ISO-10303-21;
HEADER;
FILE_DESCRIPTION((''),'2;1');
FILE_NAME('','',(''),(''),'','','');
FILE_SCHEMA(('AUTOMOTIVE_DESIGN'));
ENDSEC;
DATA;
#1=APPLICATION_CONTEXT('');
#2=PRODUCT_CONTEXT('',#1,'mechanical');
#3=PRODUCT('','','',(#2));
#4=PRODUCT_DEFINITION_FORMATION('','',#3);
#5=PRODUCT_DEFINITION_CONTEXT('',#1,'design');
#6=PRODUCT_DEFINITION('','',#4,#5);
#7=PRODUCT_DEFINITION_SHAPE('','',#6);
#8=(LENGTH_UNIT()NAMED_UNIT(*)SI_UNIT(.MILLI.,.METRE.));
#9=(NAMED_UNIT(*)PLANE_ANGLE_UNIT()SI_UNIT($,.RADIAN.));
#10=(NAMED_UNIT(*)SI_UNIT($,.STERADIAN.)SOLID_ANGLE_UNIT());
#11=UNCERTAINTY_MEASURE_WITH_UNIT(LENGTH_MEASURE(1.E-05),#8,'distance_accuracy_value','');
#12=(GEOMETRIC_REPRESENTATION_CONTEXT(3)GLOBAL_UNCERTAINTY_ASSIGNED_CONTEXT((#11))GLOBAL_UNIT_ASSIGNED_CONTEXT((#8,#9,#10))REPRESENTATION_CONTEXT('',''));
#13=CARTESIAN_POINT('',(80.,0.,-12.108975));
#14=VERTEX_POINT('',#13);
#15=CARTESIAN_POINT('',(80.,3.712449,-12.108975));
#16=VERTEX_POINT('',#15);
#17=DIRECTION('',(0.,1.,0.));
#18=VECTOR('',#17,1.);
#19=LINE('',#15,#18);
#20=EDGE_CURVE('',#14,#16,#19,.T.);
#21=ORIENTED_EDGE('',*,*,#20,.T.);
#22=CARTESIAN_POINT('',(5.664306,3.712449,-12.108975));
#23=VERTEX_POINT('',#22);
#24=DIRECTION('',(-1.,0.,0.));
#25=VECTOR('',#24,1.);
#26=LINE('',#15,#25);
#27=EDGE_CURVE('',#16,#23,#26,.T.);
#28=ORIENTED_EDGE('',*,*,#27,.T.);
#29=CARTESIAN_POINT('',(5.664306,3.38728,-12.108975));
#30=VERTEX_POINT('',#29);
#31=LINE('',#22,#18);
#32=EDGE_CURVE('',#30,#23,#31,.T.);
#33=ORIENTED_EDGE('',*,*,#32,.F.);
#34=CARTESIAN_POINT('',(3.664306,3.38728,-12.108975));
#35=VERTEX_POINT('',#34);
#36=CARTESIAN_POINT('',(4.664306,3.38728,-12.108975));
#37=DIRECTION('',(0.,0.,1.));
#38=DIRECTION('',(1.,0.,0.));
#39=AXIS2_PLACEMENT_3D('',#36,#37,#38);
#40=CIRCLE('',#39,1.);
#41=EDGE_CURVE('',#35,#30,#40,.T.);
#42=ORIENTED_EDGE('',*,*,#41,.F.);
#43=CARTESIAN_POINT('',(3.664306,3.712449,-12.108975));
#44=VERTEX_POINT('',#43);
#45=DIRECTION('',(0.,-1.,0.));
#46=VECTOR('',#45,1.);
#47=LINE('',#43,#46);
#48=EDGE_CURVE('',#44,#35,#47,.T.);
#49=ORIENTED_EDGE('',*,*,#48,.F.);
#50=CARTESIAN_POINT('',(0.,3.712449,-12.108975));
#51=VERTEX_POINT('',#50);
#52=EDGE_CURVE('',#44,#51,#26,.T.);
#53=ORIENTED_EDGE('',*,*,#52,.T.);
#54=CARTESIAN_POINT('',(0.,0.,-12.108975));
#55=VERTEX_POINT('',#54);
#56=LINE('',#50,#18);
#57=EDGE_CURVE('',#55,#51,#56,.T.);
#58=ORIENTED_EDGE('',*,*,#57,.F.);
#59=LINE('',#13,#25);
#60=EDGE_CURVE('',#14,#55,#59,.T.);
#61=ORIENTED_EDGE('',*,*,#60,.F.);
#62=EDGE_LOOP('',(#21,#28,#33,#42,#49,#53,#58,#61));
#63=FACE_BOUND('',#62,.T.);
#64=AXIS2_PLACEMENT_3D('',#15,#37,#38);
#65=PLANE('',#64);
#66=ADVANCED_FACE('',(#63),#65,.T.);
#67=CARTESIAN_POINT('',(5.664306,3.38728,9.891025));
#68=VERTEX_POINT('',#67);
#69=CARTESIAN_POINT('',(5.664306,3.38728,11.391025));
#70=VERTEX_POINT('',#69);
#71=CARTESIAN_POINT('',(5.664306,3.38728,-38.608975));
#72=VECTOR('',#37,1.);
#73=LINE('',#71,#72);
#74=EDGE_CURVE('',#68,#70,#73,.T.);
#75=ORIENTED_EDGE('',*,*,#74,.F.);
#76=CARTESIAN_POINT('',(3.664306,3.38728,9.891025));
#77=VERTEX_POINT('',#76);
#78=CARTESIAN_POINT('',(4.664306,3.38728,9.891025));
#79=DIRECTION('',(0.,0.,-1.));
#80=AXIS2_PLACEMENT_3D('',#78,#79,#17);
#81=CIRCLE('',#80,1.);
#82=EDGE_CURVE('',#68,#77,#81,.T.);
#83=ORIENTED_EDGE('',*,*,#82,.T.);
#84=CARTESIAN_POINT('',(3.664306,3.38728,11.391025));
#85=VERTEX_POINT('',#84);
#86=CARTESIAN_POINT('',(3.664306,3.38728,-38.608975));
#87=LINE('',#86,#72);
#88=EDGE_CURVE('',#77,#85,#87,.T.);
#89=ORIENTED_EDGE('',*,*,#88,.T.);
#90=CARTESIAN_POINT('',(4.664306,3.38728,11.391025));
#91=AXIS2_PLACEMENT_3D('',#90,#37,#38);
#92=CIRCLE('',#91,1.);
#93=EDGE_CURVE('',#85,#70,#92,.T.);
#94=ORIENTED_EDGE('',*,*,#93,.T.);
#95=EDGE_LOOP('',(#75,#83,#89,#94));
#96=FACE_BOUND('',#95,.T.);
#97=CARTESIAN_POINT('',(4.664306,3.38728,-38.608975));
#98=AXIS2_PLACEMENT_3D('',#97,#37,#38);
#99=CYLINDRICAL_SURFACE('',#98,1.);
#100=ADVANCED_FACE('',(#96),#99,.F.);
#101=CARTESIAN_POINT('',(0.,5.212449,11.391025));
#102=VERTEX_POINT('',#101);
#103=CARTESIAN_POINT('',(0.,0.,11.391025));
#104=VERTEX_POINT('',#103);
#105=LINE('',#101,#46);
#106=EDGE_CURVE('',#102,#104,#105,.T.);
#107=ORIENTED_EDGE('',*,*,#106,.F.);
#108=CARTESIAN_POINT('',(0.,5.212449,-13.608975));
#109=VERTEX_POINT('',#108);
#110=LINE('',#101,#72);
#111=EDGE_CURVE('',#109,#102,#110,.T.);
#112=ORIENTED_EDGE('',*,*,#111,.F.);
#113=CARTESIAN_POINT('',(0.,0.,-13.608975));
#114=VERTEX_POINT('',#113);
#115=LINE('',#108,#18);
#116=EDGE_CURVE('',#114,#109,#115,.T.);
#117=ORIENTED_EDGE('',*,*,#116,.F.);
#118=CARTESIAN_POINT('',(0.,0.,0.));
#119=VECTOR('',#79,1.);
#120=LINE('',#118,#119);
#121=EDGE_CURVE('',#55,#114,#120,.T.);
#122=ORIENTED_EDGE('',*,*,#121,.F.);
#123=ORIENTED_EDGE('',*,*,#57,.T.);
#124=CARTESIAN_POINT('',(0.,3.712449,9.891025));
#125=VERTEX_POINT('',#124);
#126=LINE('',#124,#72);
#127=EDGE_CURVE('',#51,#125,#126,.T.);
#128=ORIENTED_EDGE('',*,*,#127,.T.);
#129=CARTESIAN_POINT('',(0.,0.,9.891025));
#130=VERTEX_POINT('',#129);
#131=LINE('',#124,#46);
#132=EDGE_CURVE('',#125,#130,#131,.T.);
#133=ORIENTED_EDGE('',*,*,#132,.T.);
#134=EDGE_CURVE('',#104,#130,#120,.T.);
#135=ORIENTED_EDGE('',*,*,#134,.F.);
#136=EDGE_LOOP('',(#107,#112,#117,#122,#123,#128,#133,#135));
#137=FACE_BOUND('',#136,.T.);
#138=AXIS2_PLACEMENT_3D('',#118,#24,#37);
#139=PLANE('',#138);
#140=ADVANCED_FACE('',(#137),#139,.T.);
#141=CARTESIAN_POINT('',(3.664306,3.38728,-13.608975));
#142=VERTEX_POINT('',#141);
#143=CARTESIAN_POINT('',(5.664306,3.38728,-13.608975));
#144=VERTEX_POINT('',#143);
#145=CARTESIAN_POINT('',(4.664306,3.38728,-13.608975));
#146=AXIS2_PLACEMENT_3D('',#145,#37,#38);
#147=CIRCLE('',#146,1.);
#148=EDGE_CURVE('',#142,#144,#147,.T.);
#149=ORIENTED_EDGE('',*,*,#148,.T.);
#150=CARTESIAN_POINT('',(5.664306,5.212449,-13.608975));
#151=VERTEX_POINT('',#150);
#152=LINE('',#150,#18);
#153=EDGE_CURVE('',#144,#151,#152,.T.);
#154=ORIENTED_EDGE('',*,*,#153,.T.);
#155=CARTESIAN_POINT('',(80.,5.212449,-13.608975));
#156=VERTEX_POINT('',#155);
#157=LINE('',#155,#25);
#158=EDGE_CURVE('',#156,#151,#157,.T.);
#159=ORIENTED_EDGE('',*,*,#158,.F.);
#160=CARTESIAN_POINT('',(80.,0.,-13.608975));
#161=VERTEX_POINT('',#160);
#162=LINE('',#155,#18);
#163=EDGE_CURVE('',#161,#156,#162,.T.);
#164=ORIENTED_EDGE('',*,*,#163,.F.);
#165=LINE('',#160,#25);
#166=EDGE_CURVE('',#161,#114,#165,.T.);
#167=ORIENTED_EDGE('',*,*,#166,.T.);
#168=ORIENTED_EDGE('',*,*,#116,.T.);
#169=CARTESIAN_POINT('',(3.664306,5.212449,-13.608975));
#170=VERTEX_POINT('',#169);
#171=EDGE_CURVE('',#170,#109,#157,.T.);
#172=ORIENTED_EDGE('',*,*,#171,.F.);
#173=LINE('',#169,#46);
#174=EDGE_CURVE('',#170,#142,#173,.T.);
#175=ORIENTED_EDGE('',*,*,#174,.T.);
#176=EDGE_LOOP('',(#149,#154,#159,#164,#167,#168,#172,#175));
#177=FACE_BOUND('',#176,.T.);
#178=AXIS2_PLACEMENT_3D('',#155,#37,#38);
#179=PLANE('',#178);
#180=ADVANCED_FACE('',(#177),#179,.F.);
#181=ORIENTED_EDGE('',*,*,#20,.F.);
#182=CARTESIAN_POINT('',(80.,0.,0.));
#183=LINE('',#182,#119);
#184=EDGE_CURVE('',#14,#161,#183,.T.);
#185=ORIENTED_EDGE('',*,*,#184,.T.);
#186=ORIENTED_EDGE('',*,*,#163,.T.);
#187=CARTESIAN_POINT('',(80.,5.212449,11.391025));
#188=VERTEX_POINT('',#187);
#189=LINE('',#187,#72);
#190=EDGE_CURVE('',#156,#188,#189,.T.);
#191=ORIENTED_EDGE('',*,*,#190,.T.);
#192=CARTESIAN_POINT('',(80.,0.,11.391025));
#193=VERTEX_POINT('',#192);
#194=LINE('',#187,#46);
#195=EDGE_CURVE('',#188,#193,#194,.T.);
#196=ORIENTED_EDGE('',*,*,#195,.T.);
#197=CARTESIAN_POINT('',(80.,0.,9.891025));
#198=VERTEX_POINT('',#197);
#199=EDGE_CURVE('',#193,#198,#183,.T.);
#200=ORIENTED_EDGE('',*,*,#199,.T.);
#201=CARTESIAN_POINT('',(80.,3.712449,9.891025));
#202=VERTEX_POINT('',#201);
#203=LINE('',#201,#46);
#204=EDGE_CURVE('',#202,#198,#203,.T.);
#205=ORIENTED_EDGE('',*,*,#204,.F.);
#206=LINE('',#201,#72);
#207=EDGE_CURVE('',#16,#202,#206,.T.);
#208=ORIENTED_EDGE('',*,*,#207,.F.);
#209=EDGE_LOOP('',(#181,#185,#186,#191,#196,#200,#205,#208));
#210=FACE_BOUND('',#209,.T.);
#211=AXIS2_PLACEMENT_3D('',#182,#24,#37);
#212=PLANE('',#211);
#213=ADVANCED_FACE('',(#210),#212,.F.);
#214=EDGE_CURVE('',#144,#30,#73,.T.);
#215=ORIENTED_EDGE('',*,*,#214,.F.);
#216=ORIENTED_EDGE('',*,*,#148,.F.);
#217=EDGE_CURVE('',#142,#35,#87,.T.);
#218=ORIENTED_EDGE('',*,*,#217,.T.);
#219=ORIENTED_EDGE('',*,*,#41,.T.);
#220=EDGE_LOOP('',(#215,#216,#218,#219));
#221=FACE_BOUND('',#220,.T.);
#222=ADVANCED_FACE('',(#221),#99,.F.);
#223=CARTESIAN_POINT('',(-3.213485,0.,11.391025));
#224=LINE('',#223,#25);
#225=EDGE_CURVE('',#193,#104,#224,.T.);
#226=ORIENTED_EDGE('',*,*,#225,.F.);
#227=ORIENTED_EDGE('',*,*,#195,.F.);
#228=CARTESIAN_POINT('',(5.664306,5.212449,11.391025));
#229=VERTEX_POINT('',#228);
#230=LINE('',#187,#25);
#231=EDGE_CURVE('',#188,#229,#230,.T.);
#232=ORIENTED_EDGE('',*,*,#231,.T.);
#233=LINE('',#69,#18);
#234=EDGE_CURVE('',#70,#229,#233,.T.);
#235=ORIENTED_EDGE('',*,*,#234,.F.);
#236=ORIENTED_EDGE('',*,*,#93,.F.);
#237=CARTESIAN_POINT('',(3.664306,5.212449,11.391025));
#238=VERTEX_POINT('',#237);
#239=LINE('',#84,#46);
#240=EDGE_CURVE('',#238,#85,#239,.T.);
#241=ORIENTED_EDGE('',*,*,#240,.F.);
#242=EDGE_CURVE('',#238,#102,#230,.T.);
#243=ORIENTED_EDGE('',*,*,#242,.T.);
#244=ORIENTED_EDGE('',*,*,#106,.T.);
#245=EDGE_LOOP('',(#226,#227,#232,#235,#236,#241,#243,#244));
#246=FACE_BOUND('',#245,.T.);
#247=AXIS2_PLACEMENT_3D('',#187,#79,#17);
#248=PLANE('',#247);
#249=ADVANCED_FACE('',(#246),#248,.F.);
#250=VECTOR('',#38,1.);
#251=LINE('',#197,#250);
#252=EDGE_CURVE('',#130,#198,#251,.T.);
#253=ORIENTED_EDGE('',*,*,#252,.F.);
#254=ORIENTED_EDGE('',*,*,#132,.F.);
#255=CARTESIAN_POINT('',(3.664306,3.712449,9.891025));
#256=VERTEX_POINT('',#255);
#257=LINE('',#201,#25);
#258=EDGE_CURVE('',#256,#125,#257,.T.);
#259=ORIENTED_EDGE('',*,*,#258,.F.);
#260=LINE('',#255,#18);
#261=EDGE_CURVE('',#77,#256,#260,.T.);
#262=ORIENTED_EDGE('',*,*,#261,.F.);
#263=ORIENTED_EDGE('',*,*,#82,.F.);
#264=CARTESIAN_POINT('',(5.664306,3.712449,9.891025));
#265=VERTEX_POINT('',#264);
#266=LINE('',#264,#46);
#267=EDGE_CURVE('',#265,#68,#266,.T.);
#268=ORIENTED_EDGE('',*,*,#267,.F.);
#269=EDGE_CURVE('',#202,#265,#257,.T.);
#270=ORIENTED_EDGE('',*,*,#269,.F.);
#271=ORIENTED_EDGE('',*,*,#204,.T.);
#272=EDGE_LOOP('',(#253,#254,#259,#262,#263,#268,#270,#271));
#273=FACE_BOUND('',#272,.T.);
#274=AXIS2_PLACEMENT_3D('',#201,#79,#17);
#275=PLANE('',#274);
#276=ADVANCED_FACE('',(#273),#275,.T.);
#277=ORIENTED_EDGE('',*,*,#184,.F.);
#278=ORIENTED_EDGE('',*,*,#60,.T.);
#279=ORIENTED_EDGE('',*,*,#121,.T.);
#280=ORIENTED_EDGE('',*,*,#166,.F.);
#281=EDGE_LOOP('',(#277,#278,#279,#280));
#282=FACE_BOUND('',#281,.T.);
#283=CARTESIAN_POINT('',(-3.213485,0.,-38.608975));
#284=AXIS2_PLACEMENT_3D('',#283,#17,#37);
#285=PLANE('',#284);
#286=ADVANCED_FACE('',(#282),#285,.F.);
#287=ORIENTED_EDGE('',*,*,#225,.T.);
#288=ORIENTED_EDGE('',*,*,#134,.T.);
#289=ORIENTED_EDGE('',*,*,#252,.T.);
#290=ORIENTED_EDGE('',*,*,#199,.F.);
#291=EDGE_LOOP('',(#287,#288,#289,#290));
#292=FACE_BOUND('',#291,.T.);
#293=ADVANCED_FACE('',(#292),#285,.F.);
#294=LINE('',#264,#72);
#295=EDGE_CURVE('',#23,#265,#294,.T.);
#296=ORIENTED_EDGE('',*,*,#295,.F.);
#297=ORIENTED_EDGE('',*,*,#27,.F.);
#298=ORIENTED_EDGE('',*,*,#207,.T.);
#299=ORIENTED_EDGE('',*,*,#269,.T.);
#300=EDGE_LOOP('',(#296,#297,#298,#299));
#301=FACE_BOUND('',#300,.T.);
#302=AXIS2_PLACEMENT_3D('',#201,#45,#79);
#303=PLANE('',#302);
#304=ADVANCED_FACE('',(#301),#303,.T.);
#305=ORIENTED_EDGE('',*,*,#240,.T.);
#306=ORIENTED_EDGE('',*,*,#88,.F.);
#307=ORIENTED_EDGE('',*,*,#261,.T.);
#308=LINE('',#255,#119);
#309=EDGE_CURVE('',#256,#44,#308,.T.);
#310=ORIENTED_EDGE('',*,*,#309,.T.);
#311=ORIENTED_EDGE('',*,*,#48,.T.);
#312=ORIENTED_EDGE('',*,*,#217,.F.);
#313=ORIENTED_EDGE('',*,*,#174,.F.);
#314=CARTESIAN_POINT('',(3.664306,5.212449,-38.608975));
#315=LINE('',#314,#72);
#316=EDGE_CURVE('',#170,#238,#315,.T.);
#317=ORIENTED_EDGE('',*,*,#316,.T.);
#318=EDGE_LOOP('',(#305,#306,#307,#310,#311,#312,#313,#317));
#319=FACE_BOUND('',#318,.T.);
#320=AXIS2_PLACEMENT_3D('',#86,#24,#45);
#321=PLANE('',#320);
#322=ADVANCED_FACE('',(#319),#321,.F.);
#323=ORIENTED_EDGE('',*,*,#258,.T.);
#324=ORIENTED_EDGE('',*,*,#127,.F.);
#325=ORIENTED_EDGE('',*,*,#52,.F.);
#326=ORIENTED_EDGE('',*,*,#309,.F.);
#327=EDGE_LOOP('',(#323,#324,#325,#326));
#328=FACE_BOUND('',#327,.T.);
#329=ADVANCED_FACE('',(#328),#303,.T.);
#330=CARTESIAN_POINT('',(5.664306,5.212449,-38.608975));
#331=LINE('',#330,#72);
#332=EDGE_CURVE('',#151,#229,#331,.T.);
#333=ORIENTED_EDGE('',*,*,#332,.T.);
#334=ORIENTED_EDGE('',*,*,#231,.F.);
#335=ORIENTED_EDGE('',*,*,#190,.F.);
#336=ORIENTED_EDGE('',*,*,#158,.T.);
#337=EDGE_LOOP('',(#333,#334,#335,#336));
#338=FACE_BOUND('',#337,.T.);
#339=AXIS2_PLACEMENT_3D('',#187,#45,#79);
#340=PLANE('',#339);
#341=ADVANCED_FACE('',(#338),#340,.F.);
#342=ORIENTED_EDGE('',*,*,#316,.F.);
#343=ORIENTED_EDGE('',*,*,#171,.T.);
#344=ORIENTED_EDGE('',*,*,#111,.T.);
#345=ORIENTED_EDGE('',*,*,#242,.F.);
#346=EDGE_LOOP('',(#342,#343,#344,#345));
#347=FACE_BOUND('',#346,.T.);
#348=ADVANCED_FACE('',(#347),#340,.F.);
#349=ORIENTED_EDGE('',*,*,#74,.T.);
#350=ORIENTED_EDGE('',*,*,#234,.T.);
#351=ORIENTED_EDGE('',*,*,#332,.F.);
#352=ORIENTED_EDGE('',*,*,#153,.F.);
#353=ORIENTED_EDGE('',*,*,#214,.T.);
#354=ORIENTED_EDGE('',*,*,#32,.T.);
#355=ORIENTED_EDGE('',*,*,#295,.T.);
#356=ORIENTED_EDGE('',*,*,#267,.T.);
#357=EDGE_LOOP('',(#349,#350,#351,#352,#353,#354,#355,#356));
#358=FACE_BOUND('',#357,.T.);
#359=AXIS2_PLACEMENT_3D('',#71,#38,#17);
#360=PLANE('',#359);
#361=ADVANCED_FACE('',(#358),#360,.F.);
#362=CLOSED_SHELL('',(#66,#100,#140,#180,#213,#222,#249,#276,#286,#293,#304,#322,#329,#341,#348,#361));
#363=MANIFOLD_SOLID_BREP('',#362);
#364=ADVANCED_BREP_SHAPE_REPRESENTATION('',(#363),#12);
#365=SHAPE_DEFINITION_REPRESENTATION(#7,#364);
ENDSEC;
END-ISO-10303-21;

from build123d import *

# Parameters (mm, degrees)
SKETCH_1_W          = 25
SKETCH_1_H          = 10.9
SKETCH_1_W_2        = 22
SKETCH_1_H_2        = 7.9
EXTRUDE_1_DEPTH     = 80
SKETCH_3_W          = 141.586461115
SKETCH_3_H          = 11.077241851
CUT_EXTRUDE_1_DEPTH = 50


with BuildPart() as part:
    # 草图1 → 凸台-拉伸1 (new body)
    with BuildSketch(Plane(origin=(0, 0, 0), x_dir=(0, 0, -1), z_dir=(1, 0, 0))):
        with Locations((1.108975332, -0.23755131)):
            Rectangle(SKETCH_1_W, SKETCH_1_H)
        with Locations((1.108975332, -0.23755131)):
            Rectangle(SKETCH_1_W_2, SKETCH_1_H_2, mode=Mode.SUBTRACT)
    extrude(amount=EXTRUDE_1_DEPTH)

    # 草图3 → 切除-拉伸1 (cut)
    with BuildSketch(Plane.XY.offset(11.391024668)):
        with BuildLine():
            Line((3.664305979, 3.387279606), (3.664305979, 5.21244869))
            Line((3.664305979, 5.21244869), (5.664305979, 5.21244869))
            Line((5.664305979, 5.21244869), (5.664305979, 3.387279606))
            ThreePointArc((5.664305979, 3.387279606), (4.664305979, 2.387279606), (3.664305979, 3.387279606))
        make_face()
        with Locations((67.57974516, -5.538620926)):
            Rectangle(SKETCH_3_W, SKETCH_3_H)
    extrude(amount=-CUT_EXTRUDE_1_DEPTH, mode=Mode.SUBTRACT)


solid = part.part
